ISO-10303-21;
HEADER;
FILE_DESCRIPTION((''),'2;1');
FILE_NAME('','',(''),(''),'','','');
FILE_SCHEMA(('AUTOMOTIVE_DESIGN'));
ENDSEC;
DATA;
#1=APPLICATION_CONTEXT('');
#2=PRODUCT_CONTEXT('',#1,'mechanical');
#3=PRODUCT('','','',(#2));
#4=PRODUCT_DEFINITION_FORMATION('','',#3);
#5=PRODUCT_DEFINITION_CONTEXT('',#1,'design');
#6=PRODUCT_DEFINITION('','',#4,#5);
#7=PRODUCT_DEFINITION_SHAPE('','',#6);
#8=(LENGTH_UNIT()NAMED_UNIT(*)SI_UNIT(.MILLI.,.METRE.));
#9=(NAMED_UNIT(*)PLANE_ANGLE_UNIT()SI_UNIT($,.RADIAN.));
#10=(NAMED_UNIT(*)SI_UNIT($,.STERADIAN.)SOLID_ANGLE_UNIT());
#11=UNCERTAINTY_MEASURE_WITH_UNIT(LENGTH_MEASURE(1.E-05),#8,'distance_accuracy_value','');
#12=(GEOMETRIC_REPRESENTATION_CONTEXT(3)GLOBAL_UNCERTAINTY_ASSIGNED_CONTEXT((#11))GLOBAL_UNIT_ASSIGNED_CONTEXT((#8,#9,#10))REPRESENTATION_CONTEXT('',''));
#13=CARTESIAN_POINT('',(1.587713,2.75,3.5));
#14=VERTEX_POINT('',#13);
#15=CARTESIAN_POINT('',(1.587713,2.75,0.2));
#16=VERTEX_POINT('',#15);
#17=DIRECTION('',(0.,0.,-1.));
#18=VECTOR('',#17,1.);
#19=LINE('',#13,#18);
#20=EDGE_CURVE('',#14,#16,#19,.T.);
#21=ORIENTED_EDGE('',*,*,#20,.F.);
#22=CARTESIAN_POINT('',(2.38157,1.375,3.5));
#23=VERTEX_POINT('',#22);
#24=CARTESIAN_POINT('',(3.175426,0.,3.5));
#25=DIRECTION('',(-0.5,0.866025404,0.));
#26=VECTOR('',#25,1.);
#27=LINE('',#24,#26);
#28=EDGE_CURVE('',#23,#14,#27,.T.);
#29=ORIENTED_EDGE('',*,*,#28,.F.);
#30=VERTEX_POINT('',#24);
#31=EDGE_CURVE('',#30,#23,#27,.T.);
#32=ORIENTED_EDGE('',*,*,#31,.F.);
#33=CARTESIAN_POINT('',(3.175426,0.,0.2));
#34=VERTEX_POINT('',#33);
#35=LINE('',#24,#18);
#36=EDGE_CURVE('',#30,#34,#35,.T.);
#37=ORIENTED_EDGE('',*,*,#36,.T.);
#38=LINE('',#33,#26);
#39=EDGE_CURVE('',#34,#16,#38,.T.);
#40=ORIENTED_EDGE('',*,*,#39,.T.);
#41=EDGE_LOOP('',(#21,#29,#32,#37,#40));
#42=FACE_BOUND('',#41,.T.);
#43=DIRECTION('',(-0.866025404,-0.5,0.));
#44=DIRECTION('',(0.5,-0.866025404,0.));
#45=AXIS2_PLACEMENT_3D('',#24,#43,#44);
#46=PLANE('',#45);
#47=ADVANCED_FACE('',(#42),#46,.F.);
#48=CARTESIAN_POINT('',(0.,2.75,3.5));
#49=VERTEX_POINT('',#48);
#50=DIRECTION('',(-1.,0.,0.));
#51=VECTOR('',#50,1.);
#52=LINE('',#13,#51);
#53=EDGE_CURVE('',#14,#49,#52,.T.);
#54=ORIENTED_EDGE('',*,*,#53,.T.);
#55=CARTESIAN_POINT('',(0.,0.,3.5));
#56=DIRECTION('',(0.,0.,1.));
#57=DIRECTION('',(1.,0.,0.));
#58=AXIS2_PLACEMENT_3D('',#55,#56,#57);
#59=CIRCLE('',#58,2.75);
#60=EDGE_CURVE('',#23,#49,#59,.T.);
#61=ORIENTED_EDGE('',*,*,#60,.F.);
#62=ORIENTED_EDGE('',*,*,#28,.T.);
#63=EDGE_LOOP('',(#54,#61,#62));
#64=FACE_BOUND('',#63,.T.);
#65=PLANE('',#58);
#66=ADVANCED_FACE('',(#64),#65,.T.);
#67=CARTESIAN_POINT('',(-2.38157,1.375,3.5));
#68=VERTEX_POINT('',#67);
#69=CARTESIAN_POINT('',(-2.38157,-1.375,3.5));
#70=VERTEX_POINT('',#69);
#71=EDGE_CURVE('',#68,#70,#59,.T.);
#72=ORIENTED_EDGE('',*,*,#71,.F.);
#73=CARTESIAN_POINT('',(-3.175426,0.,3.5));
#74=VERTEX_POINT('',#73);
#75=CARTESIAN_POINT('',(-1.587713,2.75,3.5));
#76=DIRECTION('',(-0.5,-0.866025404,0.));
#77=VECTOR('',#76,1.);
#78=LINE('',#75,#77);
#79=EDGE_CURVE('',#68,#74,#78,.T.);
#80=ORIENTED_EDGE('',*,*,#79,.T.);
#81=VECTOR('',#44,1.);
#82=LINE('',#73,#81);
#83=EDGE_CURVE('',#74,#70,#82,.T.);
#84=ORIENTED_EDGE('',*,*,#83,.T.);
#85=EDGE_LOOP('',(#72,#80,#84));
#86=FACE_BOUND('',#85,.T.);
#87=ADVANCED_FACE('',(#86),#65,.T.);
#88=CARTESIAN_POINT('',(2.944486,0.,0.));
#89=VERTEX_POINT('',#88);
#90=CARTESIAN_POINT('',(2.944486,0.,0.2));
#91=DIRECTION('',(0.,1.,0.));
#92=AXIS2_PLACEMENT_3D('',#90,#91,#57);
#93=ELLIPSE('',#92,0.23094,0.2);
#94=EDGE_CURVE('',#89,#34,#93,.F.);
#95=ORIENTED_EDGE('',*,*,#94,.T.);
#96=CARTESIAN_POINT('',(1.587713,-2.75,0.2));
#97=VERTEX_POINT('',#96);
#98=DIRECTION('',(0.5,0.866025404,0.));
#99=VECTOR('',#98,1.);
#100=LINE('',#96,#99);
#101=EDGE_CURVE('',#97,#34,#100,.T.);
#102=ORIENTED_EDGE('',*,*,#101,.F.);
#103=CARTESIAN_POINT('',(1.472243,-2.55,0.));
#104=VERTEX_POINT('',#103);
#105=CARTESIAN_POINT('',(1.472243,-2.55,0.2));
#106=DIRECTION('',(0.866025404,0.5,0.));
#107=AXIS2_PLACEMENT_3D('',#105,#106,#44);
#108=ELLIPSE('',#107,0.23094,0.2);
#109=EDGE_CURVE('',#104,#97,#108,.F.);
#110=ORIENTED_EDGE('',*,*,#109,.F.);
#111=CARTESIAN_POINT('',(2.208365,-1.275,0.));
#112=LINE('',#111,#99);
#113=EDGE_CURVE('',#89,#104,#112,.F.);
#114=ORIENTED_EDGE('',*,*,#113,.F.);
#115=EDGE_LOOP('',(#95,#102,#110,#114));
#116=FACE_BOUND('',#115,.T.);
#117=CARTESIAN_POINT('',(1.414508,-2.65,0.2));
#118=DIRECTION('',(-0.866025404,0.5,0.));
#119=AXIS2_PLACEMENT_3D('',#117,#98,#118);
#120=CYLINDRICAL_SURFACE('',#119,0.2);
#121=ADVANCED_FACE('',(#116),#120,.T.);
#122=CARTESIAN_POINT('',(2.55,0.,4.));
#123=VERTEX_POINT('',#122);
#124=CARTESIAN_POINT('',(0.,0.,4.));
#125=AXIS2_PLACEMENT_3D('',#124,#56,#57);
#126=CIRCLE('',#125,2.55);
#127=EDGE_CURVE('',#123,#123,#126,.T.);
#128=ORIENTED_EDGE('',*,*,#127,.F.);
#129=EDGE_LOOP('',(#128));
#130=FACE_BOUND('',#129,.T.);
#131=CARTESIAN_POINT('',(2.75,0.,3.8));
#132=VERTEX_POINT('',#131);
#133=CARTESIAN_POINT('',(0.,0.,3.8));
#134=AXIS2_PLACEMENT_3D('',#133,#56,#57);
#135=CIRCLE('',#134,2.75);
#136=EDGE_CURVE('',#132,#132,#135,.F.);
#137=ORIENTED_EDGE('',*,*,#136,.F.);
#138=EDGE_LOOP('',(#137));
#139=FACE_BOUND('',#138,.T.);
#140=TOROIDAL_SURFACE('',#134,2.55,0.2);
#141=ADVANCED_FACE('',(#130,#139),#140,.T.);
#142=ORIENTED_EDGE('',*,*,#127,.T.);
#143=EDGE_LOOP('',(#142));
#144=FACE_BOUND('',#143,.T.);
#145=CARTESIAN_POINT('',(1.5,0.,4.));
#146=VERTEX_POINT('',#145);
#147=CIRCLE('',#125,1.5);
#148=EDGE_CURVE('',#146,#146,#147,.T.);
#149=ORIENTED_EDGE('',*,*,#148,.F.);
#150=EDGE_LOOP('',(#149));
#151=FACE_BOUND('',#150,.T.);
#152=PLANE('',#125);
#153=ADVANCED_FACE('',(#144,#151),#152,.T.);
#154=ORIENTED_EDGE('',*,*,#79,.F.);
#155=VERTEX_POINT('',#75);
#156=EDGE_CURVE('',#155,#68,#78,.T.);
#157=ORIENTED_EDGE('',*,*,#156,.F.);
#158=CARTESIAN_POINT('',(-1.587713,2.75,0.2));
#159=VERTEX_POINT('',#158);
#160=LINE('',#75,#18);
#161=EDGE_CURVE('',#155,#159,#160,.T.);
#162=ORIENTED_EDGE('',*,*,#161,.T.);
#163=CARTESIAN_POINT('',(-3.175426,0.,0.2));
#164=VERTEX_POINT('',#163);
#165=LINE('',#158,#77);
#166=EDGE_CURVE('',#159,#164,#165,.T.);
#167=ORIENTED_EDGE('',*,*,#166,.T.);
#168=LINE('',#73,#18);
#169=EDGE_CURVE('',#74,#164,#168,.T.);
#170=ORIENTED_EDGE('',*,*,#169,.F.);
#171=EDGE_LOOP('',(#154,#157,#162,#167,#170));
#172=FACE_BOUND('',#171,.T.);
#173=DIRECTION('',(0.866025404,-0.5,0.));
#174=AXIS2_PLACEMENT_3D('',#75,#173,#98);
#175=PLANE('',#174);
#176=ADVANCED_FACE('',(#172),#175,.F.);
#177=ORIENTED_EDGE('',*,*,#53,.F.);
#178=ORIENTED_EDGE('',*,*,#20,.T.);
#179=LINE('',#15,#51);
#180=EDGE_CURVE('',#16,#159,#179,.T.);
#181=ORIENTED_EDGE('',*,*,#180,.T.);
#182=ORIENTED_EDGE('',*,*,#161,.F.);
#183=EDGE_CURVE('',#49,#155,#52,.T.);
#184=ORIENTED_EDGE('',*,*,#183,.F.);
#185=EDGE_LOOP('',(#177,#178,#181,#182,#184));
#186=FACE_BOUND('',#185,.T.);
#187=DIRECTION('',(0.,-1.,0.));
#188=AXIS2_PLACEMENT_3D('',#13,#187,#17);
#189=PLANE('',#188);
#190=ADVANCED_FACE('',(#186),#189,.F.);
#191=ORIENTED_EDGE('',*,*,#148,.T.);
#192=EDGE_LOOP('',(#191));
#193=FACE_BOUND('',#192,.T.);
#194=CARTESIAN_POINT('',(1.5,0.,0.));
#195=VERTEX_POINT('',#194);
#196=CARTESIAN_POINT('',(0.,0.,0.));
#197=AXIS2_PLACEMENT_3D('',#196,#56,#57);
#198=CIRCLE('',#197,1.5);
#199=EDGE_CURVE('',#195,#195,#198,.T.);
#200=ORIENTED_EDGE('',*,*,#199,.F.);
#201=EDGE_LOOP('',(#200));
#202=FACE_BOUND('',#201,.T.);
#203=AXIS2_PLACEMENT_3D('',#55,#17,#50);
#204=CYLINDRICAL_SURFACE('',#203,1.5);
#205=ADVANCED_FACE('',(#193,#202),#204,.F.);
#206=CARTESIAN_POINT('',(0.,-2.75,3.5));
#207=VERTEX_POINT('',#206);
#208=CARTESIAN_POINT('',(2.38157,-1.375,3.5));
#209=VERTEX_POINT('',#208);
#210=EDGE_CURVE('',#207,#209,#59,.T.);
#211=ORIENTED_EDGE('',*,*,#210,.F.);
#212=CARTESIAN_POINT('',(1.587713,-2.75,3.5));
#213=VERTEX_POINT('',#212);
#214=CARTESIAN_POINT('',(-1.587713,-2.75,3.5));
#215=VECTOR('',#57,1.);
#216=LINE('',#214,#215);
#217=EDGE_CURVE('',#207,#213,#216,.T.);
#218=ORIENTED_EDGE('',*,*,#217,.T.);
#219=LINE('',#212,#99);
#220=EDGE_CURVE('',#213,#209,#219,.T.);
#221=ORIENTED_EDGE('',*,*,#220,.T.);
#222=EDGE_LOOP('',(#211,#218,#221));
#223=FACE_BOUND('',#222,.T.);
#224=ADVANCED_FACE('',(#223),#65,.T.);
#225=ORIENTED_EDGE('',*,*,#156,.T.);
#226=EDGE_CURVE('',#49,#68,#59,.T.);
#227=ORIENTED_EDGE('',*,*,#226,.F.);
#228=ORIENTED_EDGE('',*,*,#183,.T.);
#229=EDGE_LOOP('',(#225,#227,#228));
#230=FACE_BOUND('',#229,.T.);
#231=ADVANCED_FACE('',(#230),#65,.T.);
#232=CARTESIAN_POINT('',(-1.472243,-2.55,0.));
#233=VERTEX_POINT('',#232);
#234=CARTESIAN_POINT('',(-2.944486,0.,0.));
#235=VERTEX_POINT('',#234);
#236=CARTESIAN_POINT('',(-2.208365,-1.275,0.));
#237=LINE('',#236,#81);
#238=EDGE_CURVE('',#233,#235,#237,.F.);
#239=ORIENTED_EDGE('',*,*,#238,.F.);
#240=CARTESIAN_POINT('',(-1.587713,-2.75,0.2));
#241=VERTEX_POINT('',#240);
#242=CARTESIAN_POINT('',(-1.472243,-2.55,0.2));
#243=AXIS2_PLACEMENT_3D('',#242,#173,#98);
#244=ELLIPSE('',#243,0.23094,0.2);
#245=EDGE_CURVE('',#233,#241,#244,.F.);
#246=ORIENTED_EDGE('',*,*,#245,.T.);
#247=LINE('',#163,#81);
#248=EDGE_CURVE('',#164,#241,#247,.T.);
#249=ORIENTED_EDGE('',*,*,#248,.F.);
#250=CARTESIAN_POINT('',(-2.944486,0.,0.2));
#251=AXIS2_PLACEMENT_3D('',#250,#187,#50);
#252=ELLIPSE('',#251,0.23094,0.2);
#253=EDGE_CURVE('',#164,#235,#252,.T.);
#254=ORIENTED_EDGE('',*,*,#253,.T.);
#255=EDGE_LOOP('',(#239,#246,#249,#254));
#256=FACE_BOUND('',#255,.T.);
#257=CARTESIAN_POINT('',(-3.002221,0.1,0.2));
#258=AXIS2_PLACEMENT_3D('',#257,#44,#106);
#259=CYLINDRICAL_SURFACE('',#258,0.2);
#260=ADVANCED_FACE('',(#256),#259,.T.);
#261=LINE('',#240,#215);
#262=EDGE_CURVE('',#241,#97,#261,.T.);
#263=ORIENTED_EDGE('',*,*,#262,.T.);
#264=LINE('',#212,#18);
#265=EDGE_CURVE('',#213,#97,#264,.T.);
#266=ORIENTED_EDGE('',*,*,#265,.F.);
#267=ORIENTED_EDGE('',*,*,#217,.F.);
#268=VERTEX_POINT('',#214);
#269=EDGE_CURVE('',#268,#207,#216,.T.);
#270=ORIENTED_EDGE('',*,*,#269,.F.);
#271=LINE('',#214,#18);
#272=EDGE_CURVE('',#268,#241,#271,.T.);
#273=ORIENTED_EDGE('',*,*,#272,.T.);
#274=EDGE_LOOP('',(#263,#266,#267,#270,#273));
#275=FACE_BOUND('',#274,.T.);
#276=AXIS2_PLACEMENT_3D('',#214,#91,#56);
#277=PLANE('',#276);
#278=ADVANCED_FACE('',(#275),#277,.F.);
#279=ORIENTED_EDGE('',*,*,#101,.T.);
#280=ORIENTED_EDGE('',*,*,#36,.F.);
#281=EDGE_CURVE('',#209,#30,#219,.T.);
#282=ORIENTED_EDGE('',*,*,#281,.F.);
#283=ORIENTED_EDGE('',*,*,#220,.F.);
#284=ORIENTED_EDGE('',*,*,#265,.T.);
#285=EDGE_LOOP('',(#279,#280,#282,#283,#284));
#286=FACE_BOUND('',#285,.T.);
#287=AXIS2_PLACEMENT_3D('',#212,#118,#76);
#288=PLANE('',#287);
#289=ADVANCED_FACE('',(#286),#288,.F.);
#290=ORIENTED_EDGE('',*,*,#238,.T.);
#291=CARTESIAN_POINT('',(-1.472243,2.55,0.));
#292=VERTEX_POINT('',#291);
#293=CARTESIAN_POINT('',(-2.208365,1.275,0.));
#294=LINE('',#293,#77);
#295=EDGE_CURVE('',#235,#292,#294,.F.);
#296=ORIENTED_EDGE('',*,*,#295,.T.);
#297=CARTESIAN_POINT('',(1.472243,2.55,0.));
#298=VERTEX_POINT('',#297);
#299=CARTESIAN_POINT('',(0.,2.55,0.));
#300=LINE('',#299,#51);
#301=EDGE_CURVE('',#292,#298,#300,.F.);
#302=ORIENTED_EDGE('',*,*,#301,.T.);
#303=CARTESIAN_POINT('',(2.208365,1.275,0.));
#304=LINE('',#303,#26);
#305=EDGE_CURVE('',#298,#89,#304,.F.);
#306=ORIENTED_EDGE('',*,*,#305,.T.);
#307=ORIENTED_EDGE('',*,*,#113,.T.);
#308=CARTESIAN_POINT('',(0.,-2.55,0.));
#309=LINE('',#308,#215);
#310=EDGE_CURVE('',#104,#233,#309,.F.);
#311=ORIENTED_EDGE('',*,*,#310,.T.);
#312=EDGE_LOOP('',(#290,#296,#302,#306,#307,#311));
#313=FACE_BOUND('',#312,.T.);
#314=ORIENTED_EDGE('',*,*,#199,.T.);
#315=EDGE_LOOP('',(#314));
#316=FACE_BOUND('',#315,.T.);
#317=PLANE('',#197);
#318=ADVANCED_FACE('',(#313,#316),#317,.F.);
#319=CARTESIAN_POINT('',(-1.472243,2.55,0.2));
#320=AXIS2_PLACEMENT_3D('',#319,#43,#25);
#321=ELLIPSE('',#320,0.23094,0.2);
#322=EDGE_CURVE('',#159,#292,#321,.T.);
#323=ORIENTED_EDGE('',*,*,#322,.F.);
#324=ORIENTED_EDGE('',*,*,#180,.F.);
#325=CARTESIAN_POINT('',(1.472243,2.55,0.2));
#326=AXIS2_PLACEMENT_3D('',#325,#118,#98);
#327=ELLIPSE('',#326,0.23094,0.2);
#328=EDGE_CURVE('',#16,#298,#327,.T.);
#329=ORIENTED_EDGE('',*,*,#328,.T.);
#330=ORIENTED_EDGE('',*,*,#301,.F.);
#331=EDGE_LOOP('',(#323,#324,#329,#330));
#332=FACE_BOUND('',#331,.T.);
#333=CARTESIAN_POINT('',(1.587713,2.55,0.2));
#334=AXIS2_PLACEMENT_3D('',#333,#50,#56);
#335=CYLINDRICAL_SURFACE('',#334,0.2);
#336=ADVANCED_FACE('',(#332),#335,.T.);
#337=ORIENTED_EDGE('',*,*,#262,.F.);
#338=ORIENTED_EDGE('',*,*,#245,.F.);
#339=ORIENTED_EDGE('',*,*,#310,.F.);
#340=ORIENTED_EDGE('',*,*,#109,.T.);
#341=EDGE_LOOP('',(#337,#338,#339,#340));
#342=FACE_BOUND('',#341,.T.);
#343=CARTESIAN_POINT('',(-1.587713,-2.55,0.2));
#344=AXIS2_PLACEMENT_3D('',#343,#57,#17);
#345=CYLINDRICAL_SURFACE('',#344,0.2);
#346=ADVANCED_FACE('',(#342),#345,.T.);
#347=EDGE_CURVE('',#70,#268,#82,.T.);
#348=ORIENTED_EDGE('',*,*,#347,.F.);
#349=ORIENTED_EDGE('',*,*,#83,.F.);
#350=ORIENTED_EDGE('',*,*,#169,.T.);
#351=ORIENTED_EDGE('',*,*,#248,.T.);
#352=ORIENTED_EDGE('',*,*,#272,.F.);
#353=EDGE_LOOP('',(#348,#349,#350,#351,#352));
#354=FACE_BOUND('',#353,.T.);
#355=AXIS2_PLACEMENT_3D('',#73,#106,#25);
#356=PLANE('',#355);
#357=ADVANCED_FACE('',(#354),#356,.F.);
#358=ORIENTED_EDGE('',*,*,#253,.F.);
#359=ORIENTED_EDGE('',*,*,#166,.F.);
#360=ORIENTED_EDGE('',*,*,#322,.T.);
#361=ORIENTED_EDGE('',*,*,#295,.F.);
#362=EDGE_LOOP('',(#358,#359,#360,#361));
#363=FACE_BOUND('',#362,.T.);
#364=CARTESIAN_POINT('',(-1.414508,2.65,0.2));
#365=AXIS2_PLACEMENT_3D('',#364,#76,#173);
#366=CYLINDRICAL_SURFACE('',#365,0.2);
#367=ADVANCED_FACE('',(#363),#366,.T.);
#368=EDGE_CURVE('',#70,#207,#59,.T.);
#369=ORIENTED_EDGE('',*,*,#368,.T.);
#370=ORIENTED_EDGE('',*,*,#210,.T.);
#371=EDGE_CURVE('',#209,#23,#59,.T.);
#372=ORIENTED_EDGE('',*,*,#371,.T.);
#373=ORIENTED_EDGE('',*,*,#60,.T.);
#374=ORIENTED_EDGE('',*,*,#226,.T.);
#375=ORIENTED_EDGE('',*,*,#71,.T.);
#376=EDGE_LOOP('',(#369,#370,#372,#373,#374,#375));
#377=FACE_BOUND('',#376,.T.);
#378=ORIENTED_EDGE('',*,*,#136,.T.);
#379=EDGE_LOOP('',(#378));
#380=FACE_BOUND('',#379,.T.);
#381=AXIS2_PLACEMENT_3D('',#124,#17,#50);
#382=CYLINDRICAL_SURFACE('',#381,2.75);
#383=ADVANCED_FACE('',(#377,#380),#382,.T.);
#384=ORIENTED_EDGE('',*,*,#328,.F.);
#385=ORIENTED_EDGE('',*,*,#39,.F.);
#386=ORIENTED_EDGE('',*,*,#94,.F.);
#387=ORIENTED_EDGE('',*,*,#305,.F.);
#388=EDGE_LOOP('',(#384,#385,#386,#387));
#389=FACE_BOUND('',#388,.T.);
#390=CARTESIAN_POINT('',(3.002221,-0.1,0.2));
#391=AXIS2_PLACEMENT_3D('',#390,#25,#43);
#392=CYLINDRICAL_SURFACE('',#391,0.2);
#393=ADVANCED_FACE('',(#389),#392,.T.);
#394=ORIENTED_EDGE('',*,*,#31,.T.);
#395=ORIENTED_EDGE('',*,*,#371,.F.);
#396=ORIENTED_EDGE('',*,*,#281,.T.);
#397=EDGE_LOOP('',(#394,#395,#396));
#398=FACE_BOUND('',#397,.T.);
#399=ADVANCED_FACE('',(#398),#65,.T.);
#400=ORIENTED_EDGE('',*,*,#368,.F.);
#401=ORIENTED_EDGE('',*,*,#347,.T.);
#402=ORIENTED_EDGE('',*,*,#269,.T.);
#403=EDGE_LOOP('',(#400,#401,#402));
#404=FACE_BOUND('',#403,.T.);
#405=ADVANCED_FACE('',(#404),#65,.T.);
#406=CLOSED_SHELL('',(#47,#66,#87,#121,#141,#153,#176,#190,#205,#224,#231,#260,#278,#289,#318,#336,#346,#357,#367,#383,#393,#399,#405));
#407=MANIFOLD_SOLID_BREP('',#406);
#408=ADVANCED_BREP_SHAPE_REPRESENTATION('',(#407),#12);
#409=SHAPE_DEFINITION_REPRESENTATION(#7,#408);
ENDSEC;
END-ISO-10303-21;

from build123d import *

# Parameters (mm, degrees)
SKETCH_1_R      = 1.5
EXTRUDE_1_DEPTH = 3.5
SKETCH_2_R      = 2.75
SKETCH_2_R_2    = 1.5
EXTRUDE_2_DEPTH = 0.5
FILLET_4_R      = 0.2
FILLET_5_R      = 0.2


with BuildPart() as part:
    # 草图1 → 凸台-拉伸1 (new body)
    with BuildSketch(Plane.XY):
        Polygon((3.175426481, 0), (1.58771324, 2.75), (-1.58771324, 2.75), (-3.175426481, 0), (-1.58771324, -2.75), (1.58771324, -2.75), align=None)
        Circle(SKETCH_1_R, mode=Mode.SUBTRACT)
    extrude(amount=EXTRUDE_1_DEPTH)

    # 草图2 → 凸台-拉伸2 (add)
    with BuildSketch(Plane.XY.offset(3.5)):
        Circle(SKETCH_2_R)
        Circle(SKETCH_2_R_2, mode=Mode.SUBTRACT)
    extrude(amount=EXTRUDE_2_DEPTH)

    # 圆角4
    fillet_4_edges = [part.edges().sort_by_distance(p)[0] for p in [
        (-2.75, 0, 4),
    ]]
    fillet(fillet_4_edges, radius=FILLET_4_R)

    # 圆角5
    fillet_5_edges = [part.edges().sort_by_distance(p)[0] for p in [
        (0, -2.75, 0),
        (-2.38156986, -1.375, 0),
        (-2.38156986, 1.375, 0),
        (0, 2.75, 0),
        (2.38156986, 1.375, 0),
        (2.38156986, -1.375, 0),
    ]]
    fillet(fillet_5_edges, radius=FILLET_5_R)


solid = part.part
